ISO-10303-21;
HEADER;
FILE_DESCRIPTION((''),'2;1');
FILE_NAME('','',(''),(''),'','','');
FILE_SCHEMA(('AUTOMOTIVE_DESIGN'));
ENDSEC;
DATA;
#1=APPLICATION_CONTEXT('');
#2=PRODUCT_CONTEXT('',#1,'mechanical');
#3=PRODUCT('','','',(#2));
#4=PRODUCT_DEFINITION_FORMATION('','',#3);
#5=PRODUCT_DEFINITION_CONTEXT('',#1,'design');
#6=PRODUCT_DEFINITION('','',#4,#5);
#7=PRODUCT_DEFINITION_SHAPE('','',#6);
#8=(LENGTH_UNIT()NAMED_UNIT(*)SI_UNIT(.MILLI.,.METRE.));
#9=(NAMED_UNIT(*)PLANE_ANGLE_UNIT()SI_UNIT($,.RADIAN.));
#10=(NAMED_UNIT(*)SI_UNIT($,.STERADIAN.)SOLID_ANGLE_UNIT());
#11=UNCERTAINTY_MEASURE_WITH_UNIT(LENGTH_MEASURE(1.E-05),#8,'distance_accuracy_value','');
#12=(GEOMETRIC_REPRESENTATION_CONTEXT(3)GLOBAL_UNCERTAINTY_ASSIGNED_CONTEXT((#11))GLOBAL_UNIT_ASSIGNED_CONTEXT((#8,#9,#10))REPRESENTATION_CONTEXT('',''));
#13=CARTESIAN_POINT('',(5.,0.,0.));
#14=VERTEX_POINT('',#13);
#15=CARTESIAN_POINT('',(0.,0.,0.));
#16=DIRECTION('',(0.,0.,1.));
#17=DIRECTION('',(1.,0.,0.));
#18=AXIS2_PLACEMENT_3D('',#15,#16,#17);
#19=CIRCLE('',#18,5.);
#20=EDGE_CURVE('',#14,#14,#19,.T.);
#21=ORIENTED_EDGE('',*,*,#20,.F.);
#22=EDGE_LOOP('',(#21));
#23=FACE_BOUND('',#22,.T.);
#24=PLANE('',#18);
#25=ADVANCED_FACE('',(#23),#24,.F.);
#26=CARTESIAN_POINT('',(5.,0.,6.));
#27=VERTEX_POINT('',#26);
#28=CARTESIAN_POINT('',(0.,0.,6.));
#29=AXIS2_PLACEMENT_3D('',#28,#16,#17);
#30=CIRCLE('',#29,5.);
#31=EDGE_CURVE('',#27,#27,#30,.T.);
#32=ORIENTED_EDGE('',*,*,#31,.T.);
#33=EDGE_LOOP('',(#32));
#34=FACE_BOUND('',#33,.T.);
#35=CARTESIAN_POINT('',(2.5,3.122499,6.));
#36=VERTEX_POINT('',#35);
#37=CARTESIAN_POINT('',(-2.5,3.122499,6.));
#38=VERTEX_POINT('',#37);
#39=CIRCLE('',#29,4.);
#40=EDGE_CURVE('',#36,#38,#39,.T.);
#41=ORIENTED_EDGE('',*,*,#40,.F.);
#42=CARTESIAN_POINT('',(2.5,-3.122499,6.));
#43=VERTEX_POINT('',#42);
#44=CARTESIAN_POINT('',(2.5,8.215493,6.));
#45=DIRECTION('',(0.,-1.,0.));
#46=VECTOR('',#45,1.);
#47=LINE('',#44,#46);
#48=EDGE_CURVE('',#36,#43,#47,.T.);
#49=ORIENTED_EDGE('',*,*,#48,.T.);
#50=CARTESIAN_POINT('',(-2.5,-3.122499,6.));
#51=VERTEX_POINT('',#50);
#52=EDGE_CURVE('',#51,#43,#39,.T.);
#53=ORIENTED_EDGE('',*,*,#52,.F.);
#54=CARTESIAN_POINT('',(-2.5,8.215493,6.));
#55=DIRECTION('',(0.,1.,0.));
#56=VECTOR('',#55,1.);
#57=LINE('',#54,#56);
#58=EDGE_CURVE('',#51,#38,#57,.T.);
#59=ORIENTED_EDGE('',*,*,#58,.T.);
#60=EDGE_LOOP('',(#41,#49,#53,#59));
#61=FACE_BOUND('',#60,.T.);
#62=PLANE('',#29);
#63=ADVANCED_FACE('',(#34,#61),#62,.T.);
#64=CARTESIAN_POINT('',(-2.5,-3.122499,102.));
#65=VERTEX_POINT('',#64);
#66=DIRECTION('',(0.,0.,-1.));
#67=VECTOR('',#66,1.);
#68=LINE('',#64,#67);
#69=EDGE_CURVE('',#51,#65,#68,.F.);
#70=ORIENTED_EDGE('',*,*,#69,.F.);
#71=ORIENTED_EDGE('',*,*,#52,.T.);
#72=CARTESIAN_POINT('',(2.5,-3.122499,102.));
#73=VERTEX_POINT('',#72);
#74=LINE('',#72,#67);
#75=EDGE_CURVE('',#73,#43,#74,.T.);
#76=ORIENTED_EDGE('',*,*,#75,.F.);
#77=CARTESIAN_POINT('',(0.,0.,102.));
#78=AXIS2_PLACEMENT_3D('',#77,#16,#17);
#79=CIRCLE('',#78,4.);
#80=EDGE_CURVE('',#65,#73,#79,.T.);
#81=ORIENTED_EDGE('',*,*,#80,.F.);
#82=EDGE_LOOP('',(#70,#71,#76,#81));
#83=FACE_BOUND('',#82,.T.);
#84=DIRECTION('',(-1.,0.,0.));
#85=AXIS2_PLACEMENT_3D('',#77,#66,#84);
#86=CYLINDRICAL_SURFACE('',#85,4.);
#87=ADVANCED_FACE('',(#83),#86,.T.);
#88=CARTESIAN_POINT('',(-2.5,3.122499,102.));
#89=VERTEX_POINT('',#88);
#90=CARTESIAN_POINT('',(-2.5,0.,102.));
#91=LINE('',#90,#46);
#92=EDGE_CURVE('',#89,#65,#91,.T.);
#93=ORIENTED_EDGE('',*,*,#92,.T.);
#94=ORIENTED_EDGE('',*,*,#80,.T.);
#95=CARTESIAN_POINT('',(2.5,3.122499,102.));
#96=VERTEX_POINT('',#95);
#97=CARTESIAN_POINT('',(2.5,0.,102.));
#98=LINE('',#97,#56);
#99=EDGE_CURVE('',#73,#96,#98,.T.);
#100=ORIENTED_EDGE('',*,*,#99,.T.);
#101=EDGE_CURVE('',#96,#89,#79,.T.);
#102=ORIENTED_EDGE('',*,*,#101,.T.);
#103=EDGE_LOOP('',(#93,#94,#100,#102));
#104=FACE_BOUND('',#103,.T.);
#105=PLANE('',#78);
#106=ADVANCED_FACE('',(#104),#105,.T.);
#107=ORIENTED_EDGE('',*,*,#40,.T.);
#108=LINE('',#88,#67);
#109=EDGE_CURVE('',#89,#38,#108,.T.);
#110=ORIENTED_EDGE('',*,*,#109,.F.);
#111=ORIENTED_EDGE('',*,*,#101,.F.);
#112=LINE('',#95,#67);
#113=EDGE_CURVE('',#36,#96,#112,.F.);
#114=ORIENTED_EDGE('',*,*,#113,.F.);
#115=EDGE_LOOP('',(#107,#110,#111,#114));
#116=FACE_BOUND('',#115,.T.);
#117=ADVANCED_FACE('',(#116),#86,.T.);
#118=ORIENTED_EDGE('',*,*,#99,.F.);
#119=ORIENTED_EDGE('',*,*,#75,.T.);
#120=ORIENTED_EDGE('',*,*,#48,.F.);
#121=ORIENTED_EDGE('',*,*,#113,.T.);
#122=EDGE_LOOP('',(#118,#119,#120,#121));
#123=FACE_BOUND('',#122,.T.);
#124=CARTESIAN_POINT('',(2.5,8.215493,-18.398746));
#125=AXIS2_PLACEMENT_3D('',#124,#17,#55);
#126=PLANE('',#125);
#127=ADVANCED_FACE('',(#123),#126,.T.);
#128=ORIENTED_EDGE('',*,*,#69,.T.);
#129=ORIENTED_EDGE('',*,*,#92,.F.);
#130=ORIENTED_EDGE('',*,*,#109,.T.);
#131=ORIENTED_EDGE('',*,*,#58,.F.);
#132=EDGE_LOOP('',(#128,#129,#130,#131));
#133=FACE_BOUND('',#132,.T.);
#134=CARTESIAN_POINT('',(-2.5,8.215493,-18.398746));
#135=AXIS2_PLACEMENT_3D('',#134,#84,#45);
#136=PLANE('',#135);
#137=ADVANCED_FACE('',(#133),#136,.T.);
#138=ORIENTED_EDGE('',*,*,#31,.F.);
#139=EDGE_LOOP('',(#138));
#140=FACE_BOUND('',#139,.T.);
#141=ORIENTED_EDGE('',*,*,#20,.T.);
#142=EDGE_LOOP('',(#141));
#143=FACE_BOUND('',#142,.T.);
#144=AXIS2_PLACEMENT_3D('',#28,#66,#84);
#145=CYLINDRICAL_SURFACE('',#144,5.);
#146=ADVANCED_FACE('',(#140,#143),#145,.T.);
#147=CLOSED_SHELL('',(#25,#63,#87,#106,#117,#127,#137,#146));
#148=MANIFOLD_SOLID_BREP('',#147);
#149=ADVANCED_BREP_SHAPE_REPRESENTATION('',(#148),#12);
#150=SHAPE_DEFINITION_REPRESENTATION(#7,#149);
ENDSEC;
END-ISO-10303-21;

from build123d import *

# Parameters (mm, degrees)
SKETCH1_R           = 5
BOSS_EXTRUDE1_DEPTH = 6
SKETCH2_R           = 4
BOSS_EXTRUDE2_DEPTH = 96
SKETCH6_OUTSIDE_W   = 32.596
SKETCH6_OUTSIDE_H   = 32.596
SKETCH6_OUTSIDE_W_2 = 5
SKETCH6_OUTSIDE_H_2 = 16.430986644
CUT_EXTRUDE1_DEPTH  = 96


with BuildPart() as part:
    # Sketch1 → Boss-Extrude1 (new body)
    with BuildSketch(Plane.XY):
        Circle(SKETCH1_R)
    extrude(amount=BOSS_EXTRUDE1_DEPTH)

    # Sketch2 → Boss-Extrude2 (add)
    with BuildSketch(Plane.XY.offset(6)):
        Circle(SKETCH2_R)
    extrude(amount=BOSS_EXTRUDE2_DEPTH)

    # Sketch6 outside → Cut-Extrude1 (cut)
    with BuildSketch(Plane.XY.offset(102)):
        Rectangle(SKETCH6_OUTSIDE_W, SKETCH6_OUTSIDE_H)
        Rectangle(SKETCH6_OUTSIDE_W_2, SKETCH6_OUTSIDE_H_2, mode=Mode.SUBTRACT)
    extrude(amount=-CUT_EXTRUDE1_DEPTH, mode=Mode.SUBTRACT)


solid = part.part
